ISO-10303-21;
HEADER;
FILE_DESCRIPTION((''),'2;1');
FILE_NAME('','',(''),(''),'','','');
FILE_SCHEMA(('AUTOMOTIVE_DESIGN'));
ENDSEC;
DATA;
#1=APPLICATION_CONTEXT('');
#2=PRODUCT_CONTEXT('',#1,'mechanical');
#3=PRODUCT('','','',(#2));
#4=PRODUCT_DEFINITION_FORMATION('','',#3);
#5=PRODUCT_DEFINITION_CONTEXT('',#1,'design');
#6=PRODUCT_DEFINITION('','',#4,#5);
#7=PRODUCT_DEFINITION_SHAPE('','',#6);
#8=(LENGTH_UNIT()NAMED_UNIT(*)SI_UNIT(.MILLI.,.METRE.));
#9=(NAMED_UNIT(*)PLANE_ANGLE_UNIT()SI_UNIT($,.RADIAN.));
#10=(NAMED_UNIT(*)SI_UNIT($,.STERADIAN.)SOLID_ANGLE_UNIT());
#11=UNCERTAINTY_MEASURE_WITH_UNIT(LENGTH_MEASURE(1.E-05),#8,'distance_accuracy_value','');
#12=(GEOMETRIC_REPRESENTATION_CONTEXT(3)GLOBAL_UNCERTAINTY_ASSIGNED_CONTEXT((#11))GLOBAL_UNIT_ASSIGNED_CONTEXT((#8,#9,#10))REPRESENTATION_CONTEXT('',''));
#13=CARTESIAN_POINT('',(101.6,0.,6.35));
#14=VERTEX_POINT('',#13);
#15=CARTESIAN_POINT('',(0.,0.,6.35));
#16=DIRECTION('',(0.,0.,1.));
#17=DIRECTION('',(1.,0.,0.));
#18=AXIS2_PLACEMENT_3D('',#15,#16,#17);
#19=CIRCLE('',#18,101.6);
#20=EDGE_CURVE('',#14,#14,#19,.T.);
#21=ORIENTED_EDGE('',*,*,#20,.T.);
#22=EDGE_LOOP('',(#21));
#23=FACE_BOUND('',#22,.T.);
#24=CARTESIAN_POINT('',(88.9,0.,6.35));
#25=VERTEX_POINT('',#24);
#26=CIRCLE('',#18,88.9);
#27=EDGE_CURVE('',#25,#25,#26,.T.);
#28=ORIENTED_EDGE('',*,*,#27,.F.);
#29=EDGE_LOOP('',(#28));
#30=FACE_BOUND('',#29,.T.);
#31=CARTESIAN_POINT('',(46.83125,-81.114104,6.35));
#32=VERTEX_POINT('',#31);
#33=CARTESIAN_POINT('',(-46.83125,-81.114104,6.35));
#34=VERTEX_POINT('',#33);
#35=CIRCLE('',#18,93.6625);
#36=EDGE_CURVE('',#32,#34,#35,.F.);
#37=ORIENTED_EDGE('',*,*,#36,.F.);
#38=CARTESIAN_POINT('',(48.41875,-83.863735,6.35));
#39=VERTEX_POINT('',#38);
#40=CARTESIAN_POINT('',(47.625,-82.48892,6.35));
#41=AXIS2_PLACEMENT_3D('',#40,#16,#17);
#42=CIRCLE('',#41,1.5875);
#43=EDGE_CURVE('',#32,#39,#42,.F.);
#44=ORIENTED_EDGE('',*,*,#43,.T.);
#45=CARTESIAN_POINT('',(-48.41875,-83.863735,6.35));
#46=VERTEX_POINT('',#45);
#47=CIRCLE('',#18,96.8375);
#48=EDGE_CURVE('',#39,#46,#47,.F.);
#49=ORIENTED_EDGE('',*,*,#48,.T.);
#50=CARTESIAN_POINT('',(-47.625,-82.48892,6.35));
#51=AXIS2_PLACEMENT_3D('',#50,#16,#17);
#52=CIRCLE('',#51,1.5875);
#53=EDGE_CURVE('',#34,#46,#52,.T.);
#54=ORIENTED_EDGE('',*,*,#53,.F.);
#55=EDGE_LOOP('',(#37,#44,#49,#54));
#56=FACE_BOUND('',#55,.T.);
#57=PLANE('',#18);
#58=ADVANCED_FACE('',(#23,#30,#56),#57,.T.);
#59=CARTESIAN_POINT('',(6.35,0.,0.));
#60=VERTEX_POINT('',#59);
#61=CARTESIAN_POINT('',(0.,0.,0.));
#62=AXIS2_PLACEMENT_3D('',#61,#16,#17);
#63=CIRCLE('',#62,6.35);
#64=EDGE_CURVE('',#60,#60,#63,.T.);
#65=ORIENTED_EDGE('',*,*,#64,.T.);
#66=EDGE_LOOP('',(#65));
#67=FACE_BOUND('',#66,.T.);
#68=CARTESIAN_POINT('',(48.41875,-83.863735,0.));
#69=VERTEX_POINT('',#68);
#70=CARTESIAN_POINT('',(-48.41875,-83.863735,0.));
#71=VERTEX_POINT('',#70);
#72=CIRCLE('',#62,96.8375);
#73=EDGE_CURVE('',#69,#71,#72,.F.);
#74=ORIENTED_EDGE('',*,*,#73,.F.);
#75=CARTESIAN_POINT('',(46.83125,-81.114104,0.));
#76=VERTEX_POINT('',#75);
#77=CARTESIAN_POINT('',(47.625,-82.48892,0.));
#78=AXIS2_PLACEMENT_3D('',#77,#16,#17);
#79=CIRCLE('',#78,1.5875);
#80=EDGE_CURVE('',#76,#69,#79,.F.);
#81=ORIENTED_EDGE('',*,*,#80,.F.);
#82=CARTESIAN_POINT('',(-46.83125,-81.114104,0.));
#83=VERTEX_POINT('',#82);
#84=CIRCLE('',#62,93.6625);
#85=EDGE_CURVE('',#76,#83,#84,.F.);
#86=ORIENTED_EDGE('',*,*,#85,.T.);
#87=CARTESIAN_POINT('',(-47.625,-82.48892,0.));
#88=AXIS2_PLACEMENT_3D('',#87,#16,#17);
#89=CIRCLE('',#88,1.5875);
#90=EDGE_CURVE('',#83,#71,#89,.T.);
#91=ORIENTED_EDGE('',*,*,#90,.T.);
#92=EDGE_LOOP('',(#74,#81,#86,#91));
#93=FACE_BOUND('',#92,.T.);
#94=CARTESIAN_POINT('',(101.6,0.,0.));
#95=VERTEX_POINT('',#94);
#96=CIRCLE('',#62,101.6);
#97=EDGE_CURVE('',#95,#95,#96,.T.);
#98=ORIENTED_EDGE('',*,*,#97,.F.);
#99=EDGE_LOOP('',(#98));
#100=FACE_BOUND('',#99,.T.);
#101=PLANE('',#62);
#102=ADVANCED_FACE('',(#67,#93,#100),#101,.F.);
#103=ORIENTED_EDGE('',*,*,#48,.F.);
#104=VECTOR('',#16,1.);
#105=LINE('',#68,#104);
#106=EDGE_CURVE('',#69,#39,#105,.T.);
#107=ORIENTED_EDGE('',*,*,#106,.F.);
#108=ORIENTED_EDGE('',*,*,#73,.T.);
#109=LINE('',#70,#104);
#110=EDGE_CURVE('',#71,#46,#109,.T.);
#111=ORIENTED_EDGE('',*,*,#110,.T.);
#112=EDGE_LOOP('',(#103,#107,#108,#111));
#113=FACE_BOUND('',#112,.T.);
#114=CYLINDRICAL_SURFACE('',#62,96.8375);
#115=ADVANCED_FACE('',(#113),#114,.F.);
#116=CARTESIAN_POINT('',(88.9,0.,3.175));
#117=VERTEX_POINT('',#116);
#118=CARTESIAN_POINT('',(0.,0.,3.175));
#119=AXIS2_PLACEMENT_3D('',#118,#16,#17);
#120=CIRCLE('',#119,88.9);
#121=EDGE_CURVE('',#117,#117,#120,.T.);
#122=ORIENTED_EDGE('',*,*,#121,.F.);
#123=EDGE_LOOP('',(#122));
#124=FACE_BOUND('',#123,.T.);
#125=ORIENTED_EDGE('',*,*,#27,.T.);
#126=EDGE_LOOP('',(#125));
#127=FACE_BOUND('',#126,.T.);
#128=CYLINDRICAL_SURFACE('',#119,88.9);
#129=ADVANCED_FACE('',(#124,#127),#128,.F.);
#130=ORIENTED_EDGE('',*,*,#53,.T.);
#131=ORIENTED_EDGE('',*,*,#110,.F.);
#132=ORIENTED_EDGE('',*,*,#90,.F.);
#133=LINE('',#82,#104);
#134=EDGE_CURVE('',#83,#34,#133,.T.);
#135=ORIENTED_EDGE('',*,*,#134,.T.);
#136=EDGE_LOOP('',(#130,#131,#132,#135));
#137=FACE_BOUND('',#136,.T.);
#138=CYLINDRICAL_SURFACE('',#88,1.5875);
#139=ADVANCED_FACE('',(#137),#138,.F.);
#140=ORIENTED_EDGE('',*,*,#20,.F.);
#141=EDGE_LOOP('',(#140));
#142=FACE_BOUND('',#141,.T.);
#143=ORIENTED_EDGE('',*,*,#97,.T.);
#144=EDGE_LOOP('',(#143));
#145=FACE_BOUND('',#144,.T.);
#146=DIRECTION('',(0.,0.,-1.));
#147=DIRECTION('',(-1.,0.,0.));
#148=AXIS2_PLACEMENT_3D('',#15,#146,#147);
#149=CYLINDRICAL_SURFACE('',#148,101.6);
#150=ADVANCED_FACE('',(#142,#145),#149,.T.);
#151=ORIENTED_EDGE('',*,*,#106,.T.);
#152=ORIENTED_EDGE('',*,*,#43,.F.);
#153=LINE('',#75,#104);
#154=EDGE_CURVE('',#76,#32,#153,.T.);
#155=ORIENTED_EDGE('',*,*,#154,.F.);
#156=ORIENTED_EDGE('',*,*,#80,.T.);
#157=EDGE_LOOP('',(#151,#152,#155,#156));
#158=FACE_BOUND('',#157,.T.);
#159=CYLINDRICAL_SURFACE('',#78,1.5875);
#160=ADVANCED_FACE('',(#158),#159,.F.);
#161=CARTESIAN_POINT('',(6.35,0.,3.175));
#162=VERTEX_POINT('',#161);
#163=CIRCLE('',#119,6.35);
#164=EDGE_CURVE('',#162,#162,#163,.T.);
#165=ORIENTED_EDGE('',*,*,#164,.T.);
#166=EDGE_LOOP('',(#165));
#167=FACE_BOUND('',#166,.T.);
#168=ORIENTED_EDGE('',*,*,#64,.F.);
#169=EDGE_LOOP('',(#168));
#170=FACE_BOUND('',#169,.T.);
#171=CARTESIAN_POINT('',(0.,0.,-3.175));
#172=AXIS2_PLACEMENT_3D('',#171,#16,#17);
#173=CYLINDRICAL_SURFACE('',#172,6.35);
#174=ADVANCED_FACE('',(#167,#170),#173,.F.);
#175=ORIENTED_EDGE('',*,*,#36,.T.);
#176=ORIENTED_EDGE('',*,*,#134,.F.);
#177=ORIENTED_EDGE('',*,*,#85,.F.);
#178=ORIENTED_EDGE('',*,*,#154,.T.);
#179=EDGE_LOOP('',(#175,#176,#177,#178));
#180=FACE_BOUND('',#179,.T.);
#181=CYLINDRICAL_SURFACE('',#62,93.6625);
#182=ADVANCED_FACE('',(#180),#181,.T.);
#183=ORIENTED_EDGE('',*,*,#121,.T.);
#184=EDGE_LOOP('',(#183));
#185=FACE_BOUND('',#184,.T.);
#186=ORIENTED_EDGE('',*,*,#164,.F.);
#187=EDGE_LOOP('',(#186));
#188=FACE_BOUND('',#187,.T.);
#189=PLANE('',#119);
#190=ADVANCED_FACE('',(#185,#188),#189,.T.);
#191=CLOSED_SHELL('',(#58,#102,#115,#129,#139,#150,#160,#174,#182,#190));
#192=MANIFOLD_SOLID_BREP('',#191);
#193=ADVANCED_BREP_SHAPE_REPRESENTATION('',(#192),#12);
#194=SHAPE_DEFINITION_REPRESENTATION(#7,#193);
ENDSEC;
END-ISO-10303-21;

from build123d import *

# Parameters (mm, degrees)
SKETCH1_R      = 101.6
RADIUS_DEPTH   = 6.35
SKETCH4_R      = 88.9
EXTRUDE4_DEPTH = 3.175
EXTRUDE5_DEPTH = 144.824345992
SKETCH14_R     = 6.35
EXTRUDE6_DEPTH = 6.35


with BuildPart() as part:
    # Sketch1 → Radius (new body)
    with BuildSketch(Plane.XY):
        Circle(SKETCH1_R)
    extrude(amount=RADIUS_DEPTH)

    # Sketch4 → Extrude4 (cut)
    with BuildSketch(Plane.XY.offset(6.35)):
        Circle(SKETCH4_R)
    extrude(amount=-EXTRUDE4_DEPTH, mode=Mode.SUBTRACT)

    # Sketch7 → Extrude5 (cut, through all)
    with BuildSketch(Plane.XY.offset(6.35)):
        with BuildLine():
            ThreePointArc((46.83125, -81.114104382), (0, -93.6625), (-46.83125, -81.114104382))
            ThreePointArc((-46.83125, -81.114104382), (-48.999815329, -81.69516971), (-48.41875, -83.863735039))
            ThreePointArc((-48.41875, -83.863735039), (0, -96.8375), (48.41875, -83.863735039))
            ThreePointArc((48.41875, -83.863735039), (48.999815329, -81.69516971), (46.83125, -81.114104382))
        make_face()
    extrude(amount=-EXTRUDE5_DEPTH, mode=Mode.SUBTRACT)

    # Sketch14 → Extrude6 (cut)
    with BuildSketch(Plane.XY.offset(3.175)):
        Circle(SKETCH14_R)
    extrude(amount=-EXTRUDE6_DEPTH, mode=Mode.SUBTRACT)


solid = part.part
